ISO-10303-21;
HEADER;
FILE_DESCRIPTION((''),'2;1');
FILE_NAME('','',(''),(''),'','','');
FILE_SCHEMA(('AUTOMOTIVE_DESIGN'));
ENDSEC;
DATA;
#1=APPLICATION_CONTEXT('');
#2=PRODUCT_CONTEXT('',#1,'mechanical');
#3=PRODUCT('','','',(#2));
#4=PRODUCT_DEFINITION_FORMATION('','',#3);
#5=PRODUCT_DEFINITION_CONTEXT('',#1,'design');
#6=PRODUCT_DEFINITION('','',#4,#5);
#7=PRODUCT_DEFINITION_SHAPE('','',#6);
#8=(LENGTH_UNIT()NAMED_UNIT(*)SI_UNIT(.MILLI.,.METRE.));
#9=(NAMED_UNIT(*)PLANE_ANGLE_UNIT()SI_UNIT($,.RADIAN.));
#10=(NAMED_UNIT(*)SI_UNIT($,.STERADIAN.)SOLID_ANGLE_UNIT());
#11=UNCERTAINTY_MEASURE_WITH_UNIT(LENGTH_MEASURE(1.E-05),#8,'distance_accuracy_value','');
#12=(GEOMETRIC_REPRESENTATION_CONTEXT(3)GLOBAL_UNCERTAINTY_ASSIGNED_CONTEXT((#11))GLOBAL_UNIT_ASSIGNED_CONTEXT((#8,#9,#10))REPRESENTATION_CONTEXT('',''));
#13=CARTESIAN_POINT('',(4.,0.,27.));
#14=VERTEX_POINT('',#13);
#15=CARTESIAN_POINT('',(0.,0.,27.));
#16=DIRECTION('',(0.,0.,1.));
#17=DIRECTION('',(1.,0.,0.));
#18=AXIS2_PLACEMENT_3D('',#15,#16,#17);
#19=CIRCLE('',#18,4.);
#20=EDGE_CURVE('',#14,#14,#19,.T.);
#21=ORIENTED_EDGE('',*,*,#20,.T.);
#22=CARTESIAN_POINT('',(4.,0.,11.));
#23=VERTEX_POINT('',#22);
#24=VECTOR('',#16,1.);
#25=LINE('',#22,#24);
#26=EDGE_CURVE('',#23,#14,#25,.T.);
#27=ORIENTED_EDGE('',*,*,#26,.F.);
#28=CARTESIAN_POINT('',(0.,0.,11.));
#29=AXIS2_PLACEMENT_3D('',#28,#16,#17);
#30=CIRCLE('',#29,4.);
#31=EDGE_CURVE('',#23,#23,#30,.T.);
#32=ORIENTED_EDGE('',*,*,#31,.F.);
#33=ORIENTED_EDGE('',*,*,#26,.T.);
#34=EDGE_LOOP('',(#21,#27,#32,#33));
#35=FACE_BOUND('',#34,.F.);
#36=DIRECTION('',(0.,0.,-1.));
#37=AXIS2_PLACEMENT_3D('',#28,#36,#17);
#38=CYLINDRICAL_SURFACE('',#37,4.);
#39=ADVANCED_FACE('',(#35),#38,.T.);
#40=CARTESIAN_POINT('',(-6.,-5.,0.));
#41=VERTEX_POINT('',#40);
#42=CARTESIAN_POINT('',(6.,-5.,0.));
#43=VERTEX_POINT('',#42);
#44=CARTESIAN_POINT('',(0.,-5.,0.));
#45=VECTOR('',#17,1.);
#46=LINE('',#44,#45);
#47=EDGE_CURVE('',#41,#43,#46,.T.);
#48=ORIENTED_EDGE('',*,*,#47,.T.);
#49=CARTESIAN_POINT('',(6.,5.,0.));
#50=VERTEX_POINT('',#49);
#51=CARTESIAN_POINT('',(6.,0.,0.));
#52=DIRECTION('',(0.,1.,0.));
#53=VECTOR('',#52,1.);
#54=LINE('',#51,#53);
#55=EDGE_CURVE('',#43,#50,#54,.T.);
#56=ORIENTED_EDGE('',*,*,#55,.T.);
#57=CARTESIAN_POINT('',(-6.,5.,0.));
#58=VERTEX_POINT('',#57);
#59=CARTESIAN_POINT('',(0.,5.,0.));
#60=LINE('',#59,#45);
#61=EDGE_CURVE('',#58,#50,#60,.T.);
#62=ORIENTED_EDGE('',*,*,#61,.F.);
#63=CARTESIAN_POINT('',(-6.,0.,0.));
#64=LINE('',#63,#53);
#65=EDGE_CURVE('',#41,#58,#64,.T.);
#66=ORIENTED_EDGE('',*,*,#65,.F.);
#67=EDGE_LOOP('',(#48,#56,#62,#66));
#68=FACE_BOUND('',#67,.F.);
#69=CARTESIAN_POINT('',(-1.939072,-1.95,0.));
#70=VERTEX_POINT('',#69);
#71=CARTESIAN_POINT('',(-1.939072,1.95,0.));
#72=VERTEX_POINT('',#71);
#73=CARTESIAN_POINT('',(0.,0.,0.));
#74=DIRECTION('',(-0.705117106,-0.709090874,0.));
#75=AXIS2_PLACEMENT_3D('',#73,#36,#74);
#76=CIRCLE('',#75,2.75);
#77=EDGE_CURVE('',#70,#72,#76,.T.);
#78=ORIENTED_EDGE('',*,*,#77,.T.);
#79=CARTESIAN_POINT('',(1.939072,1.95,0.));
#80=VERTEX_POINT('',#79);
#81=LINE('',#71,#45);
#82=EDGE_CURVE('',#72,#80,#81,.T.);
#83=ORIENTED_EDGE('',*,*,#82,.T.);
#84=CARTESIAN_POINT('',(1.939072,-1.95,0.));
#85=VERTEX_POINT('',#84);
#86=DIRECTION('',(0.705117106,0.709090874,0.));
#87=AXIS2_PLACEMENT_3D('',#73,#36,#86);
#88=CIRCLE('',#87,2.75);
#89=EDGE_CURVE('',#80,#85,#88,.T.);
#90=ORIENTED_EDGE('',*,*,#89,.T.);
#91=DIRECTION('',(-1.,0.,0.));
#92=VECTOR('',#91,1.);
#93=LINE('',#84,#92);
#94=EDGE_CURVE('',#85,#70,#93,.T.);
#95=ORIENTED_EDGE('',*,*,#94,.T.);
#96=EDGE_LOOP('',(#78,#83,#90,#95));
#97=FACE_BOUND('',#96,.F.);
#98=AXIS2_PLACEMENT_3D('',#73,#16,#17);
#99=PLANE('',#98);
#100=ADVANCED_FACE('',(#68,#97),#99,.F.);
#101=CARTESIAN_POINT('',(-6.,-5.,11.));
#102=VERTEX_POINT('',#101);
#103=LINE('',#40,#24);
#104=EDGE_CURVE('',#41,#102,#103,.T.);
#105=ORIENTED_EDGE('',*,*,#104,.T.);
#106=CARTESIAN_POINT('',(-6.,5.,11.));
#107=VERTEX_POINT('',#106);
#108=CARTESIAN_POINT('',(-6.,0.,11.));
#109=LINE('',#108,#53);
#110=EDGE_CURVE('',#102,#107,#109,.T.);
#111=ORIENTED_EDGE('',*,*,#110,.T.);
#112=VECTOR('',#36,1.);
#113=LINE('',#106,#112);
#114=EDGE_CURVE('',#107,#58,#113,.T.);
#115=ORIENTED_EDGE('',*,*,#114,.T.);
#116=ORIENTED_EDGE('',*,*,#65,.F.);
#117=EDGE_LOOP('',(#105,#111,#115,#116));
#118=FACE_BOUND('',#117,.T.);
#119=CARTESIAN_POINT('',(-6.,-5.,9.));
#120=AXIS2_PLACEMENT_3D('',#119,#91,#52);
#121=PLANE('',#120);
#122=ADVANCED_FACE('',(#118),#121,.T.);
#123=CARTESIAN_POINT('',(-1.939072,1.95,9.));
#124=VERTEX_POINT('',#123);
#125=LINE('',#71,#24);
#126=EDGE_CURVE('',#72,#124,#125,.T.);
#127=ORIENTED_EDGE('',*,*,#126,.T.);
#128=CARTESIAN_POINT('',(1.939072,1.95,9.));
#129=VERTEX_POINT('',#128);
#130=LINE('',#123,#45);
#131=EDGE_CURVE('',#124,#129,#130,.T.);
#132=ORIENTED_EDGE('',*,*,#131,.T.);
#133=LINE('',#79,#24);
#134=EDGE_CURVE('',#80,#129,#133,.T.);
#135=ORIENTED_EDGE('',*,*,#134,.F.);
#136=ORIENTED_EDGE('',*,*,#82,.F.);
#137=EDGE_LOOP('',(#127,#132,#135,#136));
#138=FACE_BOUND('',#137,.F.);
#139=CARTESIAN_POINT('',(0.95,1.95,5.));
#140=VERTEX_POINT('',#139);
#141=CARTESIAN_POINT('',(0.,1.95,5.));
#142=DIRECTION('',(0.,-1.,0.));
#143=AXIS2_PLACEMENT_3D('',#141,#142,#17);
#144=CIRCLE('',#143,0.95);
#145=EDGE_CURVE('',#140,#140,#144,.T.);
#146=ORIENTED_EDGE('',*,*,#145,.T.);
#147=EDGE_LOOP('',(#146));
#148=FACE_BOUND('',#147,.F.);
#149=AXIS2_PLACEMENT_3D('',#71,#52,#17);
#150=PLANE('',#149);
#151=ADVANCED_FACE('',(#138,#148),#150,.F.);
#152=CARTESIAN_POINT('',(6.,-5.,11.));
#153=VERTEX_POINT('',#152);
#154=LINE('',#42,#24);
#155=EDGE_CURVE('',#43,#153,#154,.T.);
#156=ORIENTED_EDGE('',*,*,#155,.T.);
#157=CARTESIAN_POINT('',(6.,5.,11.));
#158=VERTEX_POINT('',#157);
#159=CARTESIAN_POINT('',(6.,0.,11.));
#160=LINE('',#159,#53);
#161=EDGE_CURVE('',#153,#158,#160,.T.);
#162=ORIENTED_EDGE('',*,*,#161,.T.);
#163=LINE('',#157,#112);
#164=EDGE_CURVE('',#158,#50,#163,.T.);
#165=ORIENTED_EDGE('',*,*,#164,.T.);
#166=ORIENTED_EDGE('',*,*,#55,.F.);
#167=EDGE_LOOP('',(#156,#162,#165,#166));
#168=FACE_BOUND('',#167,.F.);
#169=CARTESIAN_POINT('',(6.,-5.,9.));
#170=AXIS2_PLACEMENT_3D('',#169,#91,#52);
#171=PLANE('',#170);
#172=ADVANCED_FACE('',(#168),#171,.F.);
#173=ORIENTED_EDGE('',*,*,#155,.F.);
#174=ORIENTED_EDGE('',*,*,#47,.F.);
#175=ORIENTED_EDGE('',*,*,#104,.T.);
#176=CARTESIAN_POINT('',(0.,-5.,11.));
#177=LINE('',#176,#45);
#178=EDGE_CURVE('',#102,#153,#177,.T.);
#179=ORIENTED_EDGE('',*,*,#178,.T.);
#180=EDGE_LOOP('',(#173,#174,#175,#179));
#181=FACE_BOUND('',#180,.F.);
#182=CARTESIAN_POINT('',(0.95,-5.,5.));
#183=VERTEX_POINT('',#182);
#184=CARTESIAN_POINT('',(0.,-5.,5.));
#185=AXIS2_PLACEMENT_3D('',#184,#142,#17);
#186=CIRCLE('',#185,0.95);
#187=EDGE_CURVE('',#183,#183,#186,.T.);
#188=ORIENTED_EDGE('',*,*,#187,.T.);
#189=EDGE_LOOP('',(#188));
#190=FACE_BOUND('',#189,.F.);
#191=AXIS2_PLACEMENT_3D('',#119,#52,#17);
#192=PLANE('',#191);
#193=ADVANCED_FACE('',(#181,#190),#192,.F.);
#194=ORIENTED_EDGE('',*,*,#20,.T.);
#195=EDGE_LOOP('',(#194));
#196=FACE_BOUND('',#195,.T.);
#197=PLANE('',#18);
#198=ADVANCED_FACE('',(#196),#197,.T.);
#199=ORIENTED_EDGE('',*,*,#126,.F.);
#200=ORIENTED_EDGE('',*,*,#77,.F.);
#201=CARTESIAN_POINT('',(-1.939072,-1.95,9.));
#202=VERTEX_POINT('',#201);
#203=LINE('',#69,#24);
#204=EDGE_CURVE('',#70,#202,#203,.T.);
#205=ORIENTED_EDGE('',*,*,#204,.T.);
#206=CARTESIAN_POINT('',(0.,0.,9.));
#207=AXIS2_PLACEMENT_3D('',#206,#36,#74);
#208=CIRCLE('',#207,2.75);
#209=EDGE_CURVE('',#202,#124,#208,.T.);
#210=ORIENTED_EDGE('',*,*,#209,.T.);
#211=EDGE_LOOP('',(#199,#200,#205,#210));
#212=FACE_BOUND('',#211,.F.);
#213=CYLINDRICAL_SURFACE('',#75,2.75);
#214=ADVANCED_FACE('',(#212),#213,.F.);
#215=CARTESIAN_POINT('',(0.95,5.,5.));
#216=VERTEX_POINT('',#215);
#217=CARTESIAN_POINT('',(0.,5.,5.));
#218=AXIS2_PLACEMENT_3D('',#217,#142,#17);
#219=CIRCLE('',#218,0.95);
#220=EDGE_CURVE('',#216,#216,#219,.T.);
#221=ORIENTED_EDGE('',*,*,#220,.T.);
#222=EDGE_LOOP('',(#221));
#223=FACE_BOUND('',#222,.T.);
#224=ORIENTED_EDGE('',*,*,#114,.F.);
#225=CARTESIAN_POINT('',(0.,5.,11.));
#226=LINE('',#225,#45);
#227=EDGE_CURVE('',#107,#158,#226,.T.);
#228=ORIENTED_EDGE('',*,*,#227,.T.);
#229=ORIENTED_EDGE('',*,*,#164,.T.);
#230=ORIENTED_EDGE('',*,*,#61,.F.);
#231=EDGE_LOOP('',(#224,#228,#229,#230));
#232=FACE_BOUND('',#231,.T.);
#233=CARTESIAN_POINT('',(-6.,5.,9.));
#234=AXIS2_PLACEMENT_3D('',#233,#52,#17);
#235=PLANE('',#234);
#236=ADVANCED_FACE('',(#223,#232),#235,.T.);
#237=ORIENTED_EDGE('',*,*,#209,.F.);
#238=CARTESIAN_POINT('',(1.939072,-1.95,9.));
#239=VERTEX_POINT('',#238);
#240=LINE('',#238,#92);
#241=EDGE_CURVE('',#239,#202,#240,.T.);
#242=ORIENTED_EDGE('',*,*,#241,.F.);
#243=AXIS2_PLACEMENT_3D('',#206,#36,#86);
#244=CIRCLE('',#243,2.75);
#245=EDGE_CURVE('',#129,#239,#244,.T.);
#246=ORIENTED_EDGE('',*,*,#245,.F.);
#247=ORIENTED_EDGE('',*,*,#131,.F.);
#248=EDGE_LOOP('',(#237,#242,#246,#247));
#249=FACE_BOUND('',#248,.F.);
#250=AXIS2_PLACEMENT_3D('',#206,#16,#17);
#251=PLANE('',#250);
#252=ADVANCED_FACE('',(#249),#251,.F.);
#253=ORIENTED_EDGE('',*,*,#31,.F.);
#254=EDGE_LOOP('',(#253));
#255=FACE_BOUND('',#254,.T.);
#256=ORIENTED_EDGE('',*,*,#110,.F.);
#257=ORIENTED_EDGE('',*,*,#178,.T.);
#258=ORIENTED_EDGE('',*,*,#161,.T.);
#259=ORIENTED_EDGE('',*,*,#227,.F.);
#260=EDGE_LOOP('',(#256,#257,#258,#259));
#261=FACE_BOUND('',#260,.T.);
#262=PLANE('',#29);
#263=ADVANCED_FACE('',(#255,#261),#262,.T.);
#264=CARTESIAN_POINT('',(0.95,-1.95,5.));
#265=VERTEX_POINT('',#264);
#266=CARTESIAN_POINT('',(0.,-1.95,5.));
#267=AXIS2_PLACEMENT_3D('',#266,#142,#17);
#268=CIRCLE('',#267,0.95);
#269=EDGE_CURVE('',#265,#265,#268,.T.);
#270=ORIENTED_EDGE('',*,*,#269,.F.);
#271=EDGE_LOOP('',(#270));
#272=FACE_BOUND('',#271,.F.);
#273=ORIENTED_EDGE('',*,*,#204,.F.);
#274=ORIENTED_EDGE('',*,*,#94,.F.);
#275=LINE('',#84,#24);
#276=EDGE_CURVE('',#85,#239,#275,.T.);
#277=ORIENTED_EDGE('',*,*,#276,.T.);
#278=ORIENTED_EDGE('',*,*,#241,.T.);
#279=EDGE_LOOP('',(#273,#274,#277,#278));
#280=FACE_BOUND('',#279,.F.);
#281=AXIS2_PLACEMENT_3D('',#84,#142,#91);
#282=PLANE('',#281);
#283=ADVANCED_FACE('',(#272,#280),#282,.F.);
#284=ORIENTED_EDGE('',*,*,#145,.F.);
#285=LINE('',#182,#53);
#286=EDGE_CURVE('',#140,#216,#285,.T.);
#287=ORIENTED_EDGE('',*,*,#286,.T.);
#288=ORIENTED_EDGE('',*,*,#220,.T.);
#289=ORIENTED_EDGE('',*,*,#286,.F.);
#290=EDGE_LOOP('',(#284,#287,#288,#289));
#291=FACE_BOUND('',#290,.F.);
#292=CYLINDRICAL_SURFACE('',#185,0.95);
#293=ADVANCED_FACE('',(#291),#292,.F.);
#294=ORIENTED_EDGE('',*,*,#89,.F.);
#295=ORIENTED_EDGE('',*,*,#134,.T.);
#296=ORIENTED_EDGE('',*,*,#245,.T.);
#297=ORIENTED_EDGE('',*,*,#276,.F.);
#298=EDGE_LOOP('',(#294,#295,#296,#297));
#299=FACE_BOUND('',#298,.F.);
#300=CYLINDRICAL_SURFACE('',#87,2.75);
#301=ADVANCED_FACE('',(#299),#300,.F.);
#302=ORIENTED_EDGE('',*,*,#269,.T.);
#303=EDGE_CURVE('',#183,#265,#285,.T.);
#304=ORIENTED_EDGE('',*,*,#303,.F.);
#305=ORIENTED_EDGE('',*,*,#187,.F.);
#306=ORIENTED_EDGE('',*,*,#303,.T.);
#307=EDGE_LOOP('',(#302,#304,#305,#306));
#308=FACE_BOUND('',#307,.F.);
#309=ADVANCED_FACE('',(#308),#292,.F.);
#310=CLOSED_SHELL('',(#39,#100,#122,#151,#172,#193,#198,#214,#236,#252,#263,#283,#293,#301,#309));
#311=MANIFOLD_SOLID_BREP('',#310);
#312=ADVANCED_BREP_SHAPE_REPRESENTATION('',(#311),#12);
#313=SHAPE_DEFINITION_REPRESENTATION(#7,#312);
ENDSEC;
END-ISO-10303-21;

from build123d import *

# Parameters (mm, degrees)
F0_W     = 12
F0_H     = 10
F1_DEPTH = 9
F2_R     = 0.95
F3_DEPTH = 10
F4_W     = 12
F4_H     = 10
F5_DEPTH = 2
F6_R     = 4
F7_DEPTH = 16


with BuildPart() as f1:
    # F0 (on Top) → F1 (new body)
    with BuildSketch(Plane.XY):
        Rectangle(F0_W, F0_H)
        with BuildLine():
            ThreePointArc((-1.939072, -1.95), (-2.75, 0), (-1.939072, 1.95))
            Line((-1.939072, 1.95), (1.939072, 1.95))
            ThreePointArc((1.939072, 1.95), (2.75, 0), (1.939072, -1.95))
            Line((1.939072, -1.95), (-1.939072, -1.95))
        make_face(mode=Mode.SUBTRACT)
    extrude(amount=F1_DEPTH)

    # F2 (on face) → F3 (cut, through all)
    with BuildSketch(Plane.XZ.offset(5)):
        with Locations((0, 5)):
            Circle(F2_R)
    extrude(amount=-F3_DEPTH, mode=Mode.SUBTRACT)

    # F4 (on face) → F5 (join)
    with BuildSketch(Plane.XY.offset(9)):
        Rectangle(F4_W, F4_H)
    extrude(amount=F5_DEPTH)

    # F6 (on face) → F7 (join)
    with BuildSketch(Plane.XY.offset(11)):
        Circle(F6_R)
    extrude(amount=F7_DEPTH)


solid = f1.part
